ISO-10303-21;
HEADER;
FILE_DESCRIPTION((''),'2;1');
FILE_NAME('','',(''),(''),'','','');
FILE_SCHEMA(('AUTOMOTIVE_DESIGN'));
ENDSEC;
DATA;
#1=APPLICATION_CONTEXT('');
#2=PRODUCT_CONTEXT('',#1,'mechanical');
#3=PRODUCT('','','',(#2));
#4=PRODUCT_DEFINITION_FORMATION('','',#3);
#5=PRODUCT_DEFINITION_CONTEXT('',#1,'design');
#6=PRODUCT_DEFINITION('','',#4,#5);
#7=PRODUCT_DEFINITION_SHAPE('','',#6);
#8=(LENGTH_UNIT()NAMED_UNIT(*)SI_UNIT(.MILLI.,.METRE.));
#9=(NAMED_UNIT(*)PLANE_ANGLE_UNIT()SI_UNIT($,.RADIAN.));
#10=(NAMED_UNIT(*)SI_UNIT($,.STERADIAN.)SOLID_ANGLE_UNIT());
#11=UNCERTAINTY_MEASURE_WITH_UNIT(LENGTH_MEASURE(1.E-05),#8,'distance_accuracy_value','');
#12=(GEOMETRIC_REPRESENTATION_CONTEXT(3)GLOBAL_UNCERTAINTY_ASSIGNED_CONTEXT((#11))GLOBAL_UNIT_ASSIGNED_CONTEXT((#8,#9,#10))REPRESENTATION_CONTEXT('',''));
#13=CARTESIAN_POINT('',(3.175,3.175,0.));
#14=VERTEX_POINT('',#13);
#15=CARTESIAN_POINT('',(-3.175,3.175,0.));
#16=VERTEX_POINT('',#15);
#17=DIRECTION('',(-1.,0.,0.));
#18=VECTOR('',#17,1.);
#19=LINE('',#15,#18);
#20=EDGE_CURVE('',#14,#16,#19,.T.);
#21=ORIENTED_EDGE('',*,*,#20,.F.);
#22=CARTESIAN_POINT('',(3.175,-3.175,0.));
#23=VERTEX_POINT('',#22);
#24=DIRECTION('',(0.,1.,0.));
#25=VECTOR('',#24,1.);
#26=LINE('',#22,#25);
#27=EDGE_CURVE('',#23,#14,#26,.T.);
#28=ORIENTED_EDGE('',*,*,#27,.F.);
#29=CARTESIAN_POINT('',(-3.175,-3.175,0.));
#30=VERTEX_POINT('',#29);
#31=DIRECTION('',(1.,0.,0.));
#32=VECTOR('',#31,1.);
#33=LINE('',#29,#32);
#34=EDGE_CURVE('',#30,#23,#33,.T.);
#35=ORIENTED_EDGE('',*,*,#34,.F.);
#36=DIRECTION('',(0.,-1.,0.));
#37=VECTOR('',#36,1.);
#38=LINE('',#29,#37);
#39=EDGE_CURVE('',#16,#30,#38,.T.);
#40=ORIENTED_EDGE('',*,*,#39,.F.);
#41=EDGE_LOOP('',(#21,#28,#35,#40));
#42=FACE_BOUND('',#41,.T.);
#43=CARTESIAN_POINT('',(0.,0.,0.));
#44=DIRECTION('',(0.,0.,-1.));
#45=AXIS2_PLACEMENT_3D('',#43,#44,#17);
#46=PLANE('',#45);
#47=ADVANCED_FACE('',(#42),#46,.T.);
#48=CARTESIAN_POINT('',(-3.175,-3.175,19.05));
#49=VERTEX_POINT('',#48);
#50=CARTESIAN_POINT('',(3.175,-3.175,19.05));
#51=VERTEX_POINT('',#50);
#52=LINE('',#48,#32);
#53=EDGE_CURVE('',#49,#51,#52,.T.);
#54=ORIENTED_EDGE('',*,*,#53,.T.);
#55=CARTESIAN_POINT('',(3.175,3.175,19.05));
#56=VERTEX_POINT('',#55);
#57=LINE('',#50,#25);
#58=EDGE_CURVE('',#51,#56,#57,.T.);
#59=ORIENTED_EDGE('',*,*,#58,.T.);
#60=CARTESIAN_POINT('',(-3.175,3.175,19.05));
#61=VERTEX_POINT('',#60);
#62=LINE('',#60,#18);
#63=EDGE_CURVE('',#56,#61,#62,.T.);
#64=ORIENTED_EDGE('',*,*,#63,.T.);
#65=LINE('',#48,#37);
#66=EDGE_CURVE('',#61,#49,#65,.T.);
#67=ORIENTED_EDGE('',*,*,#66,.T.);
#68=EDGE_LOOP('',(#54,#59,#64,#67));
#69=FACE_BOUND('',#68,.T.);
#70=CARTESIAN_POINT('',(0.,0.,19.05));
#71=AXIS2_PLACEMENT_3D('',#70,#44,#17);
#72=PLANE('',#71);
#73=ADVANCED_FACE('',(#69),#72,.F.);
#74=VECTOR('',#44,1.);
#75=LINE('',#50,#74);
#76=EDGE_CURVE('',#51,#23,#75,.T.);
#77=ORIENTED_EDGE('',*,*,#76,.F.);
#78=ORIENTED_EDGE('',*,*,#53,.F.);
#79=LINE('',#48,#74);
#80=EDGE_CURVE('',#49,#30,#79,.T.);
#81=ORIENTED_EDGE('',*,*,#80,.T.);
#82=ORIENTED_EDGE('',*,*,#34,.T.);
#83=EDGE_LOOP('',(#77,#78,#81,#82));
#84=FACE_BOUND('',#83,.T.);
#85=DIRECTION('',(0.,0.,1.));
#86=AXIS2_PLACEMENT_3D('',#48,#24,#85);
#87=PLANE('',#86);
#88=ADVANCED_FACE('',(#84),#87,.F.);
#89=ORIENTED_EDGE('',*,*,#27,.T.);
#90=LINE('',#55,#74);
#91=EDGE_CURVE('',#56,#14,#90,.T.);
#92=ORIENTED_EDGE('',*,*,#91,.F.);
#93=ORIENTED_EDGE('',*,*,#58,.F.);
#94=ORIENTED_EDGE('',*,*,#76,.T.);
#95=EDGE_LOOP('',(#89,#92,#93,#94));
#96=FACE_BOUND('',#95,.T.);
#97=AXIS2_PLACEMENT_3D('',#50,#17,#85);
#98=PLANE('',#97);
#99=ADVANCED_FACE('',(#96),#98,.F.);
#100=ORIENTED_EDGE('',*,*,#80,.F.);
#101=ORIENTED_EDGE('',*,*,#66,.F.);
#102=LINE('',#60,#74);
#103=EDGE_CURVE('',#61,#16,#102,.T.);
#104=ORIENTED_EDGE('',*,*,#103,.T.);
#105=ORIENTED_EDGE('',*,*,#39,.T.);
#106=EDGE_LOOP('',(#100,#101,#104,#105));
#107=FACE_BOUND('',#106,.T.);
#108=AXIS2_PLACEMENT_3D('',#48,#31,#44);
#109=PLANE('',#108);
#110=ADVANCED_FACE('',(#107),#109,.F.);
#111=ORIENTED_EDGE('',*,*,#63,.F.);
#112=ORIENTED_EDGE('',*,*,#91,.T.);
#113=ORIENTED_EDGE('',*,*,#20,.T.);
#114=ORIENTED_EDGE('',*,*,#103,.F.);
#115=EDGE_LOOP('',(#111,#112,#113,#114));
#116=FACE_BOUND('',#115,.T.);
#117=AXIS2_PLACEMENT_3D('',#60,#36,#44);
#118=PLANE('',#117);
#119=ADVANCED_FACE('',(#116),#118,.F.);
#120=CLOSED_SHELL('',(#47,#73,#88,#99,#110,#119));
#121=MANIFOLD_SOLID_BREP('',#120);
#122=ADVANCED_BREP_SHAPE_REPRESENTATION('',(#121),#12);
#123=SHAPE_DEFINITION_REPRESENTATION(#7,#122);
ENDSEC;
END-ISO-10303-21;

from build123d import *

# Parameters (mm, degrees)
SKETCH1_W           = 6.35
SKETCH1_H           = 6.35
BOSS_EXTRUDE1_DEPTH = 19.05


with BuildPart() as part:
    # Sketch1 → Boss-Extrude1 (new body)
    with BuildSketch(Plane.XY):
        Rectangle(SKETCH1_W, SKETCH1_H)
    extrude(amount=BOSS_EXTRUDE1_DEPTH)


solid = part.part
